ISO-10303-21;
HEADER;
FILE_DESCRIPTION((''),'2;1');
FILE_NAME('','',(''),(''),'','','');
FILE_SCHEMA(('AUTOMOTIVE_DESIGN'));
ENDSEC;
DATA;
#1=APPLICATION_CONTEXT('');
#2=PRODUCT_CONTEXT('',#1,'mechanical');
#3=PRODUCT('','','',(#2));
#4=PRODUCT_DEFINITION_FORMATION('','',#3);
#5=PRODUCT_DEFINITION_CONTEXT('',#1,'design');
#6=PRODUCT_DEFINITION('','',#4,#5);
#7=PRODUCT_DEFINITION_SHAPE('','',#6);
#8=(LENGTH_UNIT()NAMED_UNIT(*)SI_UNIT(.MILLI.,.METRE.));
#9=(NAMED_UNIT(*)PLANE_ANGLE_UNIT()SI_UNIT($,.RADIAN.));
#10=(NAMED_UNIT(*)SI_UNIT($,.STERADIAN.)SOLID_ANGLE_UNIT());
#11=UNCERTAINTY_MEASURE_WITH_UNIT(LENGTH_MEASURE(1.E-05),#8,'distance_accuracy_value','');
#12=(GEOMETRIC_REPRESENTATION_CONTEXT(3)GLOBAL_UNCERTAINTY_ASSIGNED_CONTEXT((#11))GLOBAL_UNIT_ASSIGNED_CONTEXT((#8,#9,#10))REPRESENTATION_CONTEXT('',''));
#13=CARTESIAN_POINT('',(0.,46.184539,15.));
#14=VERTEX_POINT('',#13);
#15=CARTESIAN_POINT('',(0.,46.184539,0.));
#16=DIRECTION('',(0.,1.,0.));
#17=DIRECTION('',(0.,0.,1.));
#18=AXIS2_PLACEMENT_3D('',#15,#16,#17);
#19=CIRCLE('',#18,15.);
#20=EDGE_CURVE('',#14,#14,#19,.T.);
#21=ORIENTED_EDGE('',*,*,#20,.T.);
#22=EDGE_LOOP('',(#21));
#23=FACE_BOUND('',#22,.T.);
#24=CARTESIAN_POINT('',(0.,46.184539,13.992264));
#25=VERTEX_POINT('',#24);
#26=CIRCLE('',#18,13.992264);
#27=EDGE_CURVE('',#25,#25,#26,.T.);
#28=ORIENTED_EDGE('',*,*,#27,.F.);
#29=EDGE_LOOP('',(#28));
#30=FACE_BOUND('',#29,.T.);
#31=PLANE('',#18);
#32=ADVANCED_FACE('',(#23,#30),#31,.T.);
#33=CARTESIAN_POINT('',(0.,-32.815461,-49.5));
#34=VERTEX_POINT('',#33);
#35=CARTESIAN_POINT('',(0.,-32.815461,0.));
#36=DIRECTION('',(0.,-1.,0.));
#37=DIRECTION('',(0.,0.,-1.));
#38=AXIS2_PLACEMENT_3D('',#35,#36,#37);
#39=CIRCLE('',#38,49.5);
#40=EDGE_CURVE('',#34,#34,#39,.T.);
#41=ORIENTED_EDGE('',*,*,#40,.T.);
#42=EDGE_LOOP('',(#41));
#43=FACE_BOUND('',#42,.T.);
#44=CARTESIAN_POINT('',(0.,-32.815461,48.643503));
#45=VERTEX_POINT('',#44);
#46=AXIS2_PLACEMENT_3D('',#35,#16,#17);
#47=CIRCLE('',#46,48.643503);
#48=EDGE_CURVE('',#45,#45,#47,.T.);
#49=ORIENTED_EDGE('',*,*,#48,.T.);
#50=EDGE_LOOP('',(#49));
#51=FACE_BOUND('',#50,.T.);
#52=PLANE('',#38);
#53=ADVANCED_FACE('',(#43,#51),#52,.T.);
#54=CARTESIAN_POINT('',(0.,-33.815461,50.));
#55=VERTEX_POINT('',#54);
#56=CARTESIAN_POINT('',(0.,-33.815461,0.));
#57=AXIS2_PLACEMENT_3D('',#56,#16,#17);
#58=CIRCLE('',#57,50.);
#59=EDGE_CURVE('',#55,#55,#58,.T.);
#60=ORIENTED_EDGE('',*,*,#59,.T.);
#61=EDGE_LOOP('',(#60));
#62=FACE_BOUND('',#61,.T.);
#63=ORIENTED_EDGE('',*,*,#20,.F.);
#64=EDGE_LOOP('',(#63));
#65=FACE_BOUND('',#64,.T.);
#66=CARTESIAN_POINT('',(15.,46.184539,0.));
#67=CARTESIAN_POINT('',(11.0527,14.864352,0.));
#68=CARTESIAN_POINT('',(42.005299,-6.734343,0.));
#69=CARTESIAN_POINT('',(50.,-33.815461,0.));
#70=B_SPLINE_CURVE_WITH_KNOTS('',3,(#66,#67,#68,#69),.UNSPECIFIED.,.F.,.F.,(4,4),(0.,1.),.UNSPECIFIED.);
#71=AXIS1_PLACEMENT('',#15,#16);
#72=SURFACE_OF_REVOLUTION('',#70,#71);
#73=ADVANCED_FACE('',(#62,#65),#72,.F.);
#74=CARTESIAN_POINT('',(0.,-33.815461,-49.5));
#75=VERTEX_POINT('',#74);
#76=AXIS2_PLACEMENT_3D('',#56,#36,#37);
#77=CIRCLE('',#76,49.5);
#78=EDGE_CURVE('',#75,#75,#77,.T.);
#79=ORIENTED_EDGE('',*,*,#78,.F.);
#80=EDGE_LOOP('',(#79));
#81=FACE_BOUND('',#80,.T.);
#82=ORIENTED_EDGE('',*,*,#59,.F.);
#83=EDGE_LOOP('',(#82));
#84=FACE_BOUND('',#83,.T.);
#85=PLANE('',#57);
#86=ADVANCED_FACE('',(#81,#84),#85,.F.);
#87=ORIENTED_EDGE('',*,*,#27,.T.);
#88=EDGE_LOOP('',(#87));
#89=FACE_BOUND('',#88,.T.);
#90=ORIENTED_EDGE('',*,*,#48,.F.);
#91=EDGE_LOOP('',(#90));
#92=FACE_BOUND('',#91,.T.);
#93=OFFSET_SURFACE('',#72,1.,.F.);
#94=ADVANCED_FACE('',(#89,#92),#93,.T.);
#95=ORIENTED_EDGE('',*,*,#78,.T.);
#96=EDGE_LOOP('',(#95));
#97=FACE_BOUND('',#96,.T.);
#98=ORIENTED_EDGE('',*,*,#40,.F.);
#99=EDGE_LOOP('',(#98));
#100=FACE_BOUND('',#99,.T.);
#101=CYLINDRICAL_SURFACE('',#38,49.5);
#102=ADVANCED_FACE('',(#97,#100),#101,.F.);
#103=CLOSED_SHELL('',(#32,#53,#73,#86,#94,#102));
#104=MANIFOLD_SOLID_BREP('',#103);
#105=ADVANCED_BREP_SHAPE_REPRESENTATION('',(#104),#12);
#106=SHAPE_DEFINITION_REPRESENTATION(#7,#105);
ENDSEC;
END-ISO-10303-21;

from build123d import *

# Parameters (mm, degrees)
SHELL_1_T           = -1
SKETCH_2_R          = 49.5
CUT_EXTRUDE_1_DEPTH = 1


with BuildPart() as part:
    # 草图1 → 旋转1 (revolve)
    with BuildSketch(Plane.XY):
        with BuildLine():
            Line((0, 46.184538653), (0, -33.815461347))
            Line((0, -33.815461347), (50, -33.815461347))
            add(Edge.make_bspline(
                [(15, 46.184538653), (11.052699624, 14.864352477), (42.005299041, -6.734343286), (50, -33.815461347)],
                knots=[0, 0, 0, 0, 1, 1, 1, 1], degree=3))
            Line((15, 46.184538653), (0, 46.184538653))
        make_face()
    revolve(axis=Axis((0, 46.184538653, 0), (0, -1, 0)))

    # 抽壳1
    shell_1_openings = [part.faces().sort_by_distance(p)[0] for p in [
        (0, 46.184538653, 0),
    ]]
    offset(amount=SHELL_1_T, openings=shell_1_openings, kind=Kind.INTERSECTION)

    # 草图2 → 切除-拉伸1 (cut)
    with BuildSketch(Plane.XZ.offset(33.815461347)):
        with Locations(Location((0, 0, 0), (0, 0, 270))):
            Circle(SKETCH_2_R)
    extrude(amount=-CUT_EXTRUDE_1_DEPTH, mode=Mode.SUBTRACT)


solid = part.part
